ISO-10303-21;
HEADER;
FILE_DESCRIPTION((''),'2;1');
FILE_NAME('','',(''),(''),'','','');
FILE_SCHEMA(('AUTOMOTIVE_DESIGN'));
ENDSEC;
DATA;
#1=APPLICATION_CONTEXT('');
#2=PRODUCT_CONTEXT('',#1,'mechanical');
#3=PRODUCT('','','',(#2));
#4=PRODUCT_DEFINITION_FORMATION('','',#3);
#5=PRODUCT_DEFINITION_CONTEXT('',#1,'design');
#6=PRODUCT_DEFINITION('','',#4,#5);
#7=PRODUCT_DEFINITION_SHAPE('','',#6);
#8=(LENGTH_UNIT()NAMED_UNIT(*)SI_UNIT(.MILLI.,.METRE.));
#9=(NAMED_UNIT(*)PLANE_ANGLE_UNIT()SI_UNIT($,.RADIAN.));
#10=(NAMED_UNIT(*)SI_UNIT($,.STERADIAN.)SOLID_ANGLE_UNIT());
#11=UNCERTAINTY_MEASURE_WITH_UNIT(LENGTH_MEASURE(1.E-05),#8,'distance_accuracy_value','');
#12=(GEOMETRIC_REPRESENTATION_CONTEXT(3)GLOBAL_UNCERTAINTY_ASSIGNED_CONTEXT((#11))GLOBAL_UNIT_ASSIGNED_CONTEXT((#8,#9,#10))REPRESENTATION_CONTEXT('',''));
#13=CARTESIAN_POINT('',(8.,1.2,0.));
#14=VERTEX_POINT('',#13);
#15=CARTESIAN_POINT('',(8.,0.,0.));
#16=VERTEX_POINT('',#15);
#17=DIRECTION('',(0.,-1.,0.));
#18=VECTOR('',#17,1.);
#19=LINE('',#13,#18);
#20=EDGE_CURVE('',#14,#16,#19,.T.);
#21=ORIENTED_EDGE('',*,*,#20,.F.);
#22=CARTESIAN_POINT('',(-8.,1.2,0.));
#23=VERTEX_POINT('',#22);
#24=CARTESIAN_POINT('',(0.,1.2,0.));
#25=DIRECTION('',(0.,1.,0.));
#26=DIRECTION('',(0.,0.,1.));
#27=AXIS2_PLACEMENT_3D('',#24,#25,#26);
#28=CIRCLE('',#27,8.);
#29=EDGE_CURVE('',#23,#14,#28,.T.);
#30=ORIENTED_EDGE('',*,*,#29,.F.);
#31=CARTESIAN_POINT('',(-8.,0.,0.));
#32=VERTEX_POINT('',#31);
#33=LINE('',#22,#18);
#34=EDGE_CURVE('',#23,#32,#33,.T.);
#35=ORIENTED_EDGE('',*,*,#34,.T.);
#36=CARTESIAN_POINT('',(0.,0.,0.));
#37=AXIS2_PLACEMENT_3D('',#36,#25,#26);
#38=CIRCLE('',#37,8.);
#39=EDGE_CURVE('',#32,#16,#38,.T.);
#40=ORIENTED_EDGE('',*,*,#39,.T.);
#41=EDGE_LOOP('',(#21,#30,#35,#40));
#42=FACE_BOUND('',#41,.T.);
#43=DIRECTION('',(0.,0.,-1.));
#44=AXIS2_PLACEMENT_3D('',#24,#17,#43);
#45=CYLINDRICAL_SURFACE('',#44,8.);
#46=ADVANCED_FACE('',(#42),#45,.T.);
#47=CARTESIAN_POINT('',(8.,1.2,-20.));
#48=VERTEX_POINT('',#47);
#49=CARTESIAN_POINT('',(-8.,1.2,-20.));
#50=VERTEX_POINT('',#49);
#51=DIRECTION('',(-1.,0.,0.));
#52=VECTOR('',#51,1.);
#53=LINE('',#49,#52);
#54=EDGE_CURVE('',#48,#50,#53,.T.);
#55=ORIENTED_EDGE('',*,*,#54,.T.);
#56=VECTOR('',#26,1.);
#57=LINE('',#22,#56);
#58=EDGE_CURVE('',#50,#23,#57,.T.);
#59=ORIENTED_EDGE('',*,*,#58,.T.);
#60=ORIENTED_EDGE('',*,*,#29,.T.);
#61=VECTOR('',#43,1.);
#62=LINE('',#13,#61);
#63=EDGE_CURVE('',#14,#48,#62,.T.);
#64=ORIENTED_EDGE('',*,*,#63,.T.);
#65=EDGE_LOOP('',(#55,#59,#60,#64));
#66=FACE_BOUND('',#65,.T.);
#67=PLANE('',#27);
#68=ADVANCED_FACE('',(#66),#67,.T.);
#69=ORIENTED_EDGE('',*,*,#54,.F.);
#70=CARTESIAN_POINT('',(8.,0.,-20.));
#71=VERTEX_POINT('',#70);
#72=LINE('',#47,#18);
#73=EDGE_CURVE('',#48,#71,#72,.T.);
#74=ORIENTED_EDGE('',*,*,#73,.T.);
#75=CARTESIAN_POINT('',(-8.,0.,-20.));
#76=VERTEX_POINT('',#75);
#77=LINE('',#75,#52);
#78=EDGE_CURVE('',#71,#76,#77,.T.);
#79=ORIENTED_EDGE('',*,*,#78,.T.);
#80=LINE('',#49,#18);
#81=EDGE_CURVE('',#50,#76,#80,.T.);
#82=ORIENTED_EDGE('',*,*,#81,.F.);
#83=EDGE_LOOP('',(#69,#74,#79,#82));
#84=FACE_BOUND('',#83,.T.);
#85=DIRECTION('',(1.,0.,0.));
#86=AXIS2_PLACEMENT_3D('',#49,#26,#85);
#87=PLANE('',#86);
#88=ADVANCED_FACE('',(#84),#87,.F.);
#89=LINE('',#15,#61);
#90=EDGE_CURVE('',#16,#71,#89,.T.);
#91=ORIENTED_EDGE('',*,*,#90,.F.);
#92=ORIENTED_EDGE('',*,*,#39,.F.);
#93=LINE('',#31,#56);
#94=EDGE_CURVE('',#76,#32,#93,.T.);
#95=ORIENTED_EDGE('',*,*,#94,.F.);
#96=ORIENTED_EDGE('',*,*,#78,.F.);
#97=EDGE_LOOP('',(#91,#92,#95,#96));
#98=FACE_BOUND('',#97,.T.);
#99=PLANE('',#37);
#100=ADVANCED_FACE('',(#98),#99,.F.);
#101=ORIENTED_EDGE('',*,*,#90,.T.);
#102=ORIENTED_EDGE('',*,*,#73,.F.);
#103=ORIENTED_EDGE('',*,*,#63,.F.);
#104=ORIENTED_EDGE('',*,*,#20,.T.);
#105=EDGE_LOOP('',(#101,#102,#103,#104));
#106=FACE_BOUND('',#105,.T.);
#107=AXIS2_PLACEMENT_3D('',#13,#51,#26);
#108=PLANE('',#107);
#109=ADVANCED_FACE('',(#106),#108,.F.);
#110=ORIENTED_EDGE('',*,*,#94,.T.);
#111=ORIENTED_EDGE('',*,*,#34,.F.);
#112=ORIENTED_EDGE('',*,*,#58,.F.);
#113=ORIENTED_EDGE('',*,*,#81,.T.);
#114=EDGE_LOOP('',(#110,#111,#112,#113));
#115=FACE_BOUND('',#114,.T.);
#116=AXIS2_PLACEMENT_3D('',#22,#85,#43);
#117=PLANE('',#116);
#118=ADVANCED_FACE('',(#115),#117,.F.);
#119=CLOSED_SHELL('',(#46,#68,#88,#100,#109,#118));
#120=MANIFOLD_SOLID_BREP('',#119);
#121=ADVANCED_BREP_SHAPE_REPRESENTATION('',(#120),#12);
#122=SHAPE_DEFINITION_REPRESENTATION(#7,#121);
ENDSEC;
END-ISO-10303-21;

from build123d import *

# Parameters (mm, degrees)
EXTRUDE_1_DEPTH = 1.2


with BuildPart() as part:
    # 草圖1 → 填料-伸長1 (new body)
    with BuildSketch(Plane(origin=(0, 0, 0), x_dir=(1, 0, 0), z_dir=(0, 1, 0))):
        with BuildLine():
            Line((8, 0), (8, 20))
            Line((8, 20), (-8, 20))
            Line((-8, 20), (-8, 0))
            ThreePointArc((-8, 0), (0, -8), (8, 0))
        make_face()
    extrude(amount=EXTRUDE_1_DEPTH)


solid = part.part
